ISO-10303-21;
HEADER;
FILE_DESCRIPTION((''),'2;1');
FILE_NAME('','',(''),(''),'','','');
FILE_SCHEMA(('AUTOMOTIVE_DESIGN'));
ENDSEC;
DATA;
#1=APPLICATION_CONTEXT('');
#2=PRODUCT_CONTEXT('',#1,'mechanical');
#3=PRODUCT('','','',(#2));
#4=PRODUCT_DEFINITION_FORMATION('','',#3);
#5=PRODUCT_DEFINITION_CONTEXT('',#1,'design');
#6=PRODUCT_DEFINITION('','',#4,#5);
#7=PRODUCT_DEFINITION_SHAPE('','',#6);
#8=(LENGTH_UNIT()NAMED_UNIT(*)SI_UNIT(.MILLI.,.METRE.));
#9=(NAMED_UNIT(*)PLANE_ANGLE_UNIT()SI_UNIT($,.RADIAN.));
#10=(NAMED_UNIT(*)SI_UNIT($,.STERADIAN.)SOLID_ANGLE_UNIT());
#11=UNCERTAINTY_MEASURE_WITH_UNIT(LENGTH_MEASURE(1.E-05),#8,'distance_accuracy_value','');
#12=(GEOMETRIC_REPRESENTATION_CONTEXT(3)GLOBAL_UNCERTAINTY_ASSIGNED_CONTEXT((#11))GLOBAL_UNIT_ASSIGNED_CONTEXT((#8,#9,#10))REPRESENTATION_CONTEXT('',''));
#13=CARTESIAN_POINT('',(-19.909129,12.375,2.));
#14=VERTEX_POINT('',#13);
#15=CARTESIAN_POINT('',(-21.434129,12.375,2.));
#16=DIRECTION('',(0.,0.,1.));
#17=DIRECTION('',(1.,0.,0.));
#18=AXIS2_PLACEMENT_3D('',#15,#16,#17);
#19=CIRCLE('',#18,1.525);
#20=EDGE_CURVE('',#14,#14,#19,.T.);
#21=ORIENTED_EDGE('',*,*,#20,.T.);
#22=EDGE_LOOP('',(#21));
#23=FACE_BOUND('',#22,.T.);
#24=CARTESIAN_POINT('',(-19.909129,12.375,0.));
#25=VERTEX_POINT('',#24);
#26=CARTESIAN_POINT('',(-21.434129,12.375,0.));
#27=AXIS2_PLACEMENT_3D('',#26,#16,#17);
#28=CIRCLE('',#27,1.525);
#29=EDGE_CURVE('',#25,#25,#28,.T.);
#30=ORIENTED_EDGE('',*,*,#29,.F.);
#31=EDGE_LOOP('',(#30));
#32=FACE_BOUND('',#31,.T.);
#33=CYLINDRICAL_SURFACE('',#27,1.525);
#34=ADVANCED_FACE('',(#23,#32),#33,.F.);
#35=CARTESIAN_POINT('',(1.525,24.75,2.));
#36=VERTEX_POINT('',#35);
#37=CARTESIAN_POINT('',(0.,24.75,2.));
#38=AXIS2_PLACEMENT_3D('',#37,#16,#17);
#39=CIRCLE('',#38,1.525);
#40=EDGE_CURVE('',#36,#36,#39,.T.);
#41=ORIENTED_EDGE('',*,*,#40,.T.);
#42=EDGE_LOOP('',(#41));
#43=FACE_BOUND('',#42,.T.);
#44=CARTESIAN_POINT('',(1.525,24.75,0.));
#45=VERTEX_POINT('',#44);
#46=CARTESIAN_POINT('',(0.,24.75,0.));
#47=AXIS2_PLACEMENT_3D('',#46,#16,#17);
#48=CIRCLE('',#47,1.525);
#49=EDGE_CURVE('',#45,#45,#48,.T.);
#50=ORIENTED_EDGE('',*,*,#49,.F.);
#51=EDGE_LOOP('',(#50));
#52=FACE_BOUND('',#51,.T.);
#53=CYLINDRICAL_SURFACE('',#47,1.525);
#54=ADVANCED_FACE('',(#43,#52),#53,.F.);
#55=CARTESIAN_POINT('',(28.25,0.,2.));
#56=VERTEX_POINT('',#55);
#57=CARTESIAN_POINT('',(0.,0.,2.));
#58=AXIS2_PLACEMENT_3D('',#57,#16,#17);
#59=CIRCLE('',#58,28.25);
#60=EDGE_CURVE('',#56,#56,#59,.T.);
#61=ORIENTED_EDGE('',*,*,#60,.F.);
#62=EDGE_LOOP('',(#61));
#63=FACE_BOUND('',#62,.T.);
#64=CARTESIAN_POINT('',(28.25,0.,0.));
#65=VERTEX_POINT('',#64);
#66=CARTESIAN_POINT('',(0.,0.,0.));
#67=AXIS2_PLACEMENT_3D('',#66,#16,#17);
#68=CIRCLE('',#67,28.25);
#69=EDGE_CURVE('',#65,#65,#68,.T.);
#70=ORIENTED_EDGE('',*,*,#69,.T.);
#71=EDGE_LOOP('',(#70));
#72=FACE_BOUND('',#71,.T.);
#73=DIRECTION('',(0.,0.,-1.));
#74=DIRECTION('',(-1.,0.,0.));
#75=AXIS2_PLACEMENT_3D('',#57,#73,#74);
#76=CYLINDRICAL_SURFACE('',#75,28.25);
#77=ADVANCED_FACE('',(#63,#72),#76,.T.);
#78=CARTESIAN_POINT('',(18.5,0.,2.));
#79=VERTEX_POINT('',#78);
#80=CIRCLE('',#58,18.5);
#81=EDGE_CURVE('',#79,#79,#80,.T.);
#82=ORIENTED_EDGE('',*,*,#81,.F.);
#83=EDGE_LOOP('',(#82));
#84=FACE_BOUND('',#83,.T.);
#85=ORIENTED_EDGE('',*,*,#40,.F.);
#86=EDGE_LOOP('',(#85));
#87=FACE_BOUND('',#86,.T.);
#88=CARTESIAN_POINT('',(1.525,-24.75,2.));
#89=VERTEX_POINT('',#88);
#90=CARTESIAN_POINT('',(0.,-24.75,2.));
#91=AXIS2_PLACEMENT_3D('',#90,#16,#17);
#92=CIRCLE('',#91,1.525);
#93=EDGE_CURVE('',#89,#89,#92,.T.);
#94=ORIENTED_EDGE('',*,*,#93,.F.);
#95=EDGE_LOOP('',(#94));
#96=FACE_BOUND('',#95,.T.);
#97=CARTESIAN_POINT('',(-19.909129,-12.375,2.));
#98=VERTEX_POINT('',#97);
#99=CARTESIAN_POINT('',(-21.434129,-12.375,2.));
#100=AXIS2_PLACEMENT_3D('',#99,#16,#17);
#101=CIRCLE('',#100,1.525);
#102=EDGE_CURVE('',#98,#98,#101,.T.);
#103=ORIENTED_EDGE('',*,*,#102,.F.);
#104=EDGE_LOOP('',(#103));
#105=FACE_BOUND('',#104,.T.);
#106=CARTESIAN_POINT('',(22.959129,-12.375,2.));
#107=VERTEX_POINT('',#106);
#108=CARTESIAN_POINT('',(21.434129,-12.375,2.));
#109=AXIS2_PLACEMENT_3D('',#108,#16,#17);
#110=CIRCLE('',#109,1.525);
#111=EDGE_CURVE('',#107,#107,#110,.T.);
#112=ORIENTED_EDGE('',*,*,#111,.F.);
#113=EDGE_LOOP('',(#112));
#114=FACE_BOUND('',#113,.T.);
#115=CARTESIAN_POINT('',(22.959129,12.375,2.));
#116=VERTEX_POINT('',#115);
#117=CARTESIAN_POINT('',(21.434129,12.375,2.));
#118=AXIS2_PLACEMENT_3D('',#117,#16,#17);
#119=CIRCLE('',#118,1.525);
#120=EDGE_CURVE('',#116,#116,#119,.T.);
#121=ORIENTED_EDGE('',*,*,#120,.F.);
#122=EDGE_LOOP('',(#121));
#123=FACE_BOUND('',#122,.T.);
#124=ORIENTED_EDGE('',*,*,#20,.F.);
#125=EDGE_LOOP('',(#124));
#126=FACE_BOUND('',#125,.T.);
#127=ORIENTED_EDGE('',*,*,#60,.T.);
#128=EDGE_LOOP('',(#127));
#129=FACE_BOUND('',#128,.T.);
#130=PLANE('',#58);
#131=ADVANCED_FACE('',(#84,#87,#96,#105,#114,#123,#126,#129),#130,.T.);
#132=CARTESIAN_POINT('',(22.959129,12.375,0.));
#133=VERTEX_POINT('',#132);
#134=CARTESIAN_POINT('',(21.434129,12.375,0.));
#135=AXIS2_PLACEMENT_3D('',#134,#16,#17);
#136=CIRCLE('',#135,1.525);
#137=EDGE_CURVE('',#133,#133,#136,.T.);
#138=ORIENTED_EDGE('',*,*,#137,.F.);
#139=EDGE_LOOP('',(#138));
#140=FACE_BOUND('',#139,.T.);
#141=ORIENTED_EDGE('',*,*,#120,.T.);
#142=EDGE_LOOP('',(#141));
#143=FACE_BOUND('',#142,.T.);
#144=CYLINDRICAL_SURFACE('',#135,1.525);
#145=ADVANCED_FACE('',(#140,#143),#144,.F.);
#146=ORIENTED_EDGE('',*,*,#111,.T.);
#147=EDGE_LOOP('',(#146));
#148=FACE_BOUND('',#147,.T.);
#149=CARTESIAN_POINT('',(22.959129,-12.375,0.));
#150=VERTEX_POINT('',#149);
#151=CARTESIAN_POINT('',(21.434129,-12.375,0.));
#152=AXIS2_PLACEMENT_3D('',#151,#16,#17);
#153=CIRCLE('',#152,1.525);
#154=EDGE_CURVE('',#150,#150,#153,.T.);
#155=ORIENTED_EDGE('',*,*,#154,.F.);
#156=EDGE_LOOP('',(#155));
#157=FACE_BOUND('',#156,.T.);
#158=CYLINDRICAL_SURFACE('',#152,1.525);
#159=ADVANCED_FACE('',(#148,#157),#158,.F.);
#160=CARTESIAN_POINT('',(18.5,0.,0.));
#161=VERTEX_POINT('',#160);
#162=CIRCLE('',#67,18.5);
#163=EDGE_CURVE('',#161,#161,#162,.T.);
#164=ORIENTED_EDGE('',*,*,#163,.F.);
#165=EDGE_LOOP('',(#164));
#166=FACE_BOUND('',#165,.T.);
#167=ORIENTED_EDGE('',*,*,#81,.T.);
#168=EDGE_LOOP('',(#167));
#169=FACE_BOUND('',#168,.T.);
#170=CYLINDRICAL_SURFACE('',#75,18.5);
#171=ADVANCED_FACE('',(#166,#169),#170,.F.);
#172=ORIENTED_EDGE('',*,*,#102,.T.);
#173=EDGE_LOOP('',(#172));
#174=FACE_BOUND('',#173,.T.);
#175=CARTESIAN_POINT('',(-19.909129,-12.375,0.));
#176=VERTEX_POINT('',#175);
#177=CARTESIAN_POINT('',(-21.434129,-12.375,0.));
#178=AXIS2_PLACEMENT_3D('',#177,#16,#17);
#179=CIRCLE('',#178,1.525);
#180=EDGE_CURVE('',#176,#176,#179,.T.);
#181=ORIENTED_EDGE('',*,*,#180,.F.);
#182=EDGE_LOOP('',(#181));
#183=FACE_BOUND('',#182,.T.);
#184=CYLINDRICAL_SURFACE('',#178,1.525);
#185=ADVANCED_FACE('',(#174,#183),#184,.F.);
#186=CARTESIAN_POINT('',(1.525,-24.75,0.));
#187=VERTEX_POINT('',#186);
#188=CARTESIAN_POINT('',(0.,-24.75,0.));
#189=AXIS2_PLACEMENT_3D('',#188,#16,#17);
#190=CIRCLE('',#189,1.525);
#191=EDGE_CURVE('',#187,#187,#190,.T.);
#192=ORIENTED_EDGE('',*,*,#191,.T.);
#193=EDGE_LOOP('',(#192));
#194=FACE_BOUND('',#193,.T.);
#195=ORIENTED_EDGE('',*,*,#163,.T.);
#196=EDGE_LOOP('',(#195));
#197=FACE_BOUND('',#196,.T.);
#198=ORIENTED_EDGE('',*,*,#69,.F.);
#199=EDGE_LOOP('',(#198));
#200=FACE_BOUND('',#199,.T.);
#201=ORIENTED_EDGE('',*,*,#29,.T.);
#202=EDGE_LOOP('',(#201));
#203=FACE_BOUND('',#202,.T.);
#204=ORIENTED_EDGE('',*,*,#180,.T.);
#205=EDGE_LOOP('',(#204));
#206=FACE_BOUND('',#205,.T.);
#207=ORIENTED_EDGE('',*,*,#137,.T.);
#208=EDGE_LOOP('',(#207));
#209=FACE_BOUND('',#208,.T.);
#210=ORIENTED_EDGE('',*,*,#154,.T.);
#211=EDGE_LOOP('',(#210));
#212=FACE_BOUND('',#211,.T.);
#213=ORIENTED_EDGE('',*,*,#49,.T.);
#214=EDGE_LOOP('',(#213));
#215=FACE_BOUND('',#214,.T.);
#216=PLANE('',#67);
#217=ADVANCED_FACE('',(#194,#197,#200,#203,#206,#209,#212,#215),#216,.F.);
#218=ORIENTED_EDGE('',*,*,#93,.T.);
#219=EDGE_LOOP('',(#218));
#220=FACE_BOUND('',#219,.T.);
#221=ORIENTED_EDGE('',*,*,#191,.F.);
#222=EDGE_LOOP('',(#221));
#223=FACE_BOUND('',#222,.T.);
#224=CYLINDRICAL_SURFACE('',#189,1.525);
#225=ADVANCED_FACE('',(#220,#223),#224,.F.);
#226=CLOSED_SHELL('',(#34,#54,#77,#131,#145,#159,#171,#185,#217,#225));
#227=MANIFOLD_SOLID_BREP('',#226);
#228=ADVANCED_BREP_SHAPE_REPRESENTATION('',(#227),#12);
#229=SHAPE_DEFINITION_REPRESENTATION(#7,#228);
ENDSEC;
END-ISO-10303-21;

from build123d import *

# Parameters (mm, degrees)
SKETCH_1_R          = 28.25
SKETCH_1_R_2        = 18.5
EXTRUDE_1_DEPTH     = 2
SKETCH_2_R          = 1.525
CUT_EXTRUDE_1_DEPTH = 2


with BuildPart() as part:
    # 草图1 → 凸台-拉伸1 (new body)
    with BuildSketch(Plane.XY):
        Circle(SKETCH_1_R)
        Circle(SKETCH_1_R_2, mode=Mode.SUBTRACT)
    extrude(amount=EXTRUDE_1_DEPTH)

    # 草图2 → 切除-拉伸1 (cut)
    with BuildSketch(Plane.XY.offset(2)):
        with Locations((0, 24.75)):
            Circle(SKETCH_2_R)
        with Locations((21.434128744, 12.375)):
            Circle(SKETCH_2_R)
        with Locations((21.434128744, -12.375)):
            Circle(SKETCH_2_R)
        with Locations((0, -24.75)):
            Circle(SKETCH_2_R)
        with Locations((-21.434128744, -12.375)):
            Circle(SKETCH_2_R)
        with Locations((-21.434128744, 12.375)):
            Circle(SKETCH_2_R)
    extrude(amount=-CUT_EXTRUDE_1_DEPTH, mode=Mode.SUBTRACT)


solid = part.part
